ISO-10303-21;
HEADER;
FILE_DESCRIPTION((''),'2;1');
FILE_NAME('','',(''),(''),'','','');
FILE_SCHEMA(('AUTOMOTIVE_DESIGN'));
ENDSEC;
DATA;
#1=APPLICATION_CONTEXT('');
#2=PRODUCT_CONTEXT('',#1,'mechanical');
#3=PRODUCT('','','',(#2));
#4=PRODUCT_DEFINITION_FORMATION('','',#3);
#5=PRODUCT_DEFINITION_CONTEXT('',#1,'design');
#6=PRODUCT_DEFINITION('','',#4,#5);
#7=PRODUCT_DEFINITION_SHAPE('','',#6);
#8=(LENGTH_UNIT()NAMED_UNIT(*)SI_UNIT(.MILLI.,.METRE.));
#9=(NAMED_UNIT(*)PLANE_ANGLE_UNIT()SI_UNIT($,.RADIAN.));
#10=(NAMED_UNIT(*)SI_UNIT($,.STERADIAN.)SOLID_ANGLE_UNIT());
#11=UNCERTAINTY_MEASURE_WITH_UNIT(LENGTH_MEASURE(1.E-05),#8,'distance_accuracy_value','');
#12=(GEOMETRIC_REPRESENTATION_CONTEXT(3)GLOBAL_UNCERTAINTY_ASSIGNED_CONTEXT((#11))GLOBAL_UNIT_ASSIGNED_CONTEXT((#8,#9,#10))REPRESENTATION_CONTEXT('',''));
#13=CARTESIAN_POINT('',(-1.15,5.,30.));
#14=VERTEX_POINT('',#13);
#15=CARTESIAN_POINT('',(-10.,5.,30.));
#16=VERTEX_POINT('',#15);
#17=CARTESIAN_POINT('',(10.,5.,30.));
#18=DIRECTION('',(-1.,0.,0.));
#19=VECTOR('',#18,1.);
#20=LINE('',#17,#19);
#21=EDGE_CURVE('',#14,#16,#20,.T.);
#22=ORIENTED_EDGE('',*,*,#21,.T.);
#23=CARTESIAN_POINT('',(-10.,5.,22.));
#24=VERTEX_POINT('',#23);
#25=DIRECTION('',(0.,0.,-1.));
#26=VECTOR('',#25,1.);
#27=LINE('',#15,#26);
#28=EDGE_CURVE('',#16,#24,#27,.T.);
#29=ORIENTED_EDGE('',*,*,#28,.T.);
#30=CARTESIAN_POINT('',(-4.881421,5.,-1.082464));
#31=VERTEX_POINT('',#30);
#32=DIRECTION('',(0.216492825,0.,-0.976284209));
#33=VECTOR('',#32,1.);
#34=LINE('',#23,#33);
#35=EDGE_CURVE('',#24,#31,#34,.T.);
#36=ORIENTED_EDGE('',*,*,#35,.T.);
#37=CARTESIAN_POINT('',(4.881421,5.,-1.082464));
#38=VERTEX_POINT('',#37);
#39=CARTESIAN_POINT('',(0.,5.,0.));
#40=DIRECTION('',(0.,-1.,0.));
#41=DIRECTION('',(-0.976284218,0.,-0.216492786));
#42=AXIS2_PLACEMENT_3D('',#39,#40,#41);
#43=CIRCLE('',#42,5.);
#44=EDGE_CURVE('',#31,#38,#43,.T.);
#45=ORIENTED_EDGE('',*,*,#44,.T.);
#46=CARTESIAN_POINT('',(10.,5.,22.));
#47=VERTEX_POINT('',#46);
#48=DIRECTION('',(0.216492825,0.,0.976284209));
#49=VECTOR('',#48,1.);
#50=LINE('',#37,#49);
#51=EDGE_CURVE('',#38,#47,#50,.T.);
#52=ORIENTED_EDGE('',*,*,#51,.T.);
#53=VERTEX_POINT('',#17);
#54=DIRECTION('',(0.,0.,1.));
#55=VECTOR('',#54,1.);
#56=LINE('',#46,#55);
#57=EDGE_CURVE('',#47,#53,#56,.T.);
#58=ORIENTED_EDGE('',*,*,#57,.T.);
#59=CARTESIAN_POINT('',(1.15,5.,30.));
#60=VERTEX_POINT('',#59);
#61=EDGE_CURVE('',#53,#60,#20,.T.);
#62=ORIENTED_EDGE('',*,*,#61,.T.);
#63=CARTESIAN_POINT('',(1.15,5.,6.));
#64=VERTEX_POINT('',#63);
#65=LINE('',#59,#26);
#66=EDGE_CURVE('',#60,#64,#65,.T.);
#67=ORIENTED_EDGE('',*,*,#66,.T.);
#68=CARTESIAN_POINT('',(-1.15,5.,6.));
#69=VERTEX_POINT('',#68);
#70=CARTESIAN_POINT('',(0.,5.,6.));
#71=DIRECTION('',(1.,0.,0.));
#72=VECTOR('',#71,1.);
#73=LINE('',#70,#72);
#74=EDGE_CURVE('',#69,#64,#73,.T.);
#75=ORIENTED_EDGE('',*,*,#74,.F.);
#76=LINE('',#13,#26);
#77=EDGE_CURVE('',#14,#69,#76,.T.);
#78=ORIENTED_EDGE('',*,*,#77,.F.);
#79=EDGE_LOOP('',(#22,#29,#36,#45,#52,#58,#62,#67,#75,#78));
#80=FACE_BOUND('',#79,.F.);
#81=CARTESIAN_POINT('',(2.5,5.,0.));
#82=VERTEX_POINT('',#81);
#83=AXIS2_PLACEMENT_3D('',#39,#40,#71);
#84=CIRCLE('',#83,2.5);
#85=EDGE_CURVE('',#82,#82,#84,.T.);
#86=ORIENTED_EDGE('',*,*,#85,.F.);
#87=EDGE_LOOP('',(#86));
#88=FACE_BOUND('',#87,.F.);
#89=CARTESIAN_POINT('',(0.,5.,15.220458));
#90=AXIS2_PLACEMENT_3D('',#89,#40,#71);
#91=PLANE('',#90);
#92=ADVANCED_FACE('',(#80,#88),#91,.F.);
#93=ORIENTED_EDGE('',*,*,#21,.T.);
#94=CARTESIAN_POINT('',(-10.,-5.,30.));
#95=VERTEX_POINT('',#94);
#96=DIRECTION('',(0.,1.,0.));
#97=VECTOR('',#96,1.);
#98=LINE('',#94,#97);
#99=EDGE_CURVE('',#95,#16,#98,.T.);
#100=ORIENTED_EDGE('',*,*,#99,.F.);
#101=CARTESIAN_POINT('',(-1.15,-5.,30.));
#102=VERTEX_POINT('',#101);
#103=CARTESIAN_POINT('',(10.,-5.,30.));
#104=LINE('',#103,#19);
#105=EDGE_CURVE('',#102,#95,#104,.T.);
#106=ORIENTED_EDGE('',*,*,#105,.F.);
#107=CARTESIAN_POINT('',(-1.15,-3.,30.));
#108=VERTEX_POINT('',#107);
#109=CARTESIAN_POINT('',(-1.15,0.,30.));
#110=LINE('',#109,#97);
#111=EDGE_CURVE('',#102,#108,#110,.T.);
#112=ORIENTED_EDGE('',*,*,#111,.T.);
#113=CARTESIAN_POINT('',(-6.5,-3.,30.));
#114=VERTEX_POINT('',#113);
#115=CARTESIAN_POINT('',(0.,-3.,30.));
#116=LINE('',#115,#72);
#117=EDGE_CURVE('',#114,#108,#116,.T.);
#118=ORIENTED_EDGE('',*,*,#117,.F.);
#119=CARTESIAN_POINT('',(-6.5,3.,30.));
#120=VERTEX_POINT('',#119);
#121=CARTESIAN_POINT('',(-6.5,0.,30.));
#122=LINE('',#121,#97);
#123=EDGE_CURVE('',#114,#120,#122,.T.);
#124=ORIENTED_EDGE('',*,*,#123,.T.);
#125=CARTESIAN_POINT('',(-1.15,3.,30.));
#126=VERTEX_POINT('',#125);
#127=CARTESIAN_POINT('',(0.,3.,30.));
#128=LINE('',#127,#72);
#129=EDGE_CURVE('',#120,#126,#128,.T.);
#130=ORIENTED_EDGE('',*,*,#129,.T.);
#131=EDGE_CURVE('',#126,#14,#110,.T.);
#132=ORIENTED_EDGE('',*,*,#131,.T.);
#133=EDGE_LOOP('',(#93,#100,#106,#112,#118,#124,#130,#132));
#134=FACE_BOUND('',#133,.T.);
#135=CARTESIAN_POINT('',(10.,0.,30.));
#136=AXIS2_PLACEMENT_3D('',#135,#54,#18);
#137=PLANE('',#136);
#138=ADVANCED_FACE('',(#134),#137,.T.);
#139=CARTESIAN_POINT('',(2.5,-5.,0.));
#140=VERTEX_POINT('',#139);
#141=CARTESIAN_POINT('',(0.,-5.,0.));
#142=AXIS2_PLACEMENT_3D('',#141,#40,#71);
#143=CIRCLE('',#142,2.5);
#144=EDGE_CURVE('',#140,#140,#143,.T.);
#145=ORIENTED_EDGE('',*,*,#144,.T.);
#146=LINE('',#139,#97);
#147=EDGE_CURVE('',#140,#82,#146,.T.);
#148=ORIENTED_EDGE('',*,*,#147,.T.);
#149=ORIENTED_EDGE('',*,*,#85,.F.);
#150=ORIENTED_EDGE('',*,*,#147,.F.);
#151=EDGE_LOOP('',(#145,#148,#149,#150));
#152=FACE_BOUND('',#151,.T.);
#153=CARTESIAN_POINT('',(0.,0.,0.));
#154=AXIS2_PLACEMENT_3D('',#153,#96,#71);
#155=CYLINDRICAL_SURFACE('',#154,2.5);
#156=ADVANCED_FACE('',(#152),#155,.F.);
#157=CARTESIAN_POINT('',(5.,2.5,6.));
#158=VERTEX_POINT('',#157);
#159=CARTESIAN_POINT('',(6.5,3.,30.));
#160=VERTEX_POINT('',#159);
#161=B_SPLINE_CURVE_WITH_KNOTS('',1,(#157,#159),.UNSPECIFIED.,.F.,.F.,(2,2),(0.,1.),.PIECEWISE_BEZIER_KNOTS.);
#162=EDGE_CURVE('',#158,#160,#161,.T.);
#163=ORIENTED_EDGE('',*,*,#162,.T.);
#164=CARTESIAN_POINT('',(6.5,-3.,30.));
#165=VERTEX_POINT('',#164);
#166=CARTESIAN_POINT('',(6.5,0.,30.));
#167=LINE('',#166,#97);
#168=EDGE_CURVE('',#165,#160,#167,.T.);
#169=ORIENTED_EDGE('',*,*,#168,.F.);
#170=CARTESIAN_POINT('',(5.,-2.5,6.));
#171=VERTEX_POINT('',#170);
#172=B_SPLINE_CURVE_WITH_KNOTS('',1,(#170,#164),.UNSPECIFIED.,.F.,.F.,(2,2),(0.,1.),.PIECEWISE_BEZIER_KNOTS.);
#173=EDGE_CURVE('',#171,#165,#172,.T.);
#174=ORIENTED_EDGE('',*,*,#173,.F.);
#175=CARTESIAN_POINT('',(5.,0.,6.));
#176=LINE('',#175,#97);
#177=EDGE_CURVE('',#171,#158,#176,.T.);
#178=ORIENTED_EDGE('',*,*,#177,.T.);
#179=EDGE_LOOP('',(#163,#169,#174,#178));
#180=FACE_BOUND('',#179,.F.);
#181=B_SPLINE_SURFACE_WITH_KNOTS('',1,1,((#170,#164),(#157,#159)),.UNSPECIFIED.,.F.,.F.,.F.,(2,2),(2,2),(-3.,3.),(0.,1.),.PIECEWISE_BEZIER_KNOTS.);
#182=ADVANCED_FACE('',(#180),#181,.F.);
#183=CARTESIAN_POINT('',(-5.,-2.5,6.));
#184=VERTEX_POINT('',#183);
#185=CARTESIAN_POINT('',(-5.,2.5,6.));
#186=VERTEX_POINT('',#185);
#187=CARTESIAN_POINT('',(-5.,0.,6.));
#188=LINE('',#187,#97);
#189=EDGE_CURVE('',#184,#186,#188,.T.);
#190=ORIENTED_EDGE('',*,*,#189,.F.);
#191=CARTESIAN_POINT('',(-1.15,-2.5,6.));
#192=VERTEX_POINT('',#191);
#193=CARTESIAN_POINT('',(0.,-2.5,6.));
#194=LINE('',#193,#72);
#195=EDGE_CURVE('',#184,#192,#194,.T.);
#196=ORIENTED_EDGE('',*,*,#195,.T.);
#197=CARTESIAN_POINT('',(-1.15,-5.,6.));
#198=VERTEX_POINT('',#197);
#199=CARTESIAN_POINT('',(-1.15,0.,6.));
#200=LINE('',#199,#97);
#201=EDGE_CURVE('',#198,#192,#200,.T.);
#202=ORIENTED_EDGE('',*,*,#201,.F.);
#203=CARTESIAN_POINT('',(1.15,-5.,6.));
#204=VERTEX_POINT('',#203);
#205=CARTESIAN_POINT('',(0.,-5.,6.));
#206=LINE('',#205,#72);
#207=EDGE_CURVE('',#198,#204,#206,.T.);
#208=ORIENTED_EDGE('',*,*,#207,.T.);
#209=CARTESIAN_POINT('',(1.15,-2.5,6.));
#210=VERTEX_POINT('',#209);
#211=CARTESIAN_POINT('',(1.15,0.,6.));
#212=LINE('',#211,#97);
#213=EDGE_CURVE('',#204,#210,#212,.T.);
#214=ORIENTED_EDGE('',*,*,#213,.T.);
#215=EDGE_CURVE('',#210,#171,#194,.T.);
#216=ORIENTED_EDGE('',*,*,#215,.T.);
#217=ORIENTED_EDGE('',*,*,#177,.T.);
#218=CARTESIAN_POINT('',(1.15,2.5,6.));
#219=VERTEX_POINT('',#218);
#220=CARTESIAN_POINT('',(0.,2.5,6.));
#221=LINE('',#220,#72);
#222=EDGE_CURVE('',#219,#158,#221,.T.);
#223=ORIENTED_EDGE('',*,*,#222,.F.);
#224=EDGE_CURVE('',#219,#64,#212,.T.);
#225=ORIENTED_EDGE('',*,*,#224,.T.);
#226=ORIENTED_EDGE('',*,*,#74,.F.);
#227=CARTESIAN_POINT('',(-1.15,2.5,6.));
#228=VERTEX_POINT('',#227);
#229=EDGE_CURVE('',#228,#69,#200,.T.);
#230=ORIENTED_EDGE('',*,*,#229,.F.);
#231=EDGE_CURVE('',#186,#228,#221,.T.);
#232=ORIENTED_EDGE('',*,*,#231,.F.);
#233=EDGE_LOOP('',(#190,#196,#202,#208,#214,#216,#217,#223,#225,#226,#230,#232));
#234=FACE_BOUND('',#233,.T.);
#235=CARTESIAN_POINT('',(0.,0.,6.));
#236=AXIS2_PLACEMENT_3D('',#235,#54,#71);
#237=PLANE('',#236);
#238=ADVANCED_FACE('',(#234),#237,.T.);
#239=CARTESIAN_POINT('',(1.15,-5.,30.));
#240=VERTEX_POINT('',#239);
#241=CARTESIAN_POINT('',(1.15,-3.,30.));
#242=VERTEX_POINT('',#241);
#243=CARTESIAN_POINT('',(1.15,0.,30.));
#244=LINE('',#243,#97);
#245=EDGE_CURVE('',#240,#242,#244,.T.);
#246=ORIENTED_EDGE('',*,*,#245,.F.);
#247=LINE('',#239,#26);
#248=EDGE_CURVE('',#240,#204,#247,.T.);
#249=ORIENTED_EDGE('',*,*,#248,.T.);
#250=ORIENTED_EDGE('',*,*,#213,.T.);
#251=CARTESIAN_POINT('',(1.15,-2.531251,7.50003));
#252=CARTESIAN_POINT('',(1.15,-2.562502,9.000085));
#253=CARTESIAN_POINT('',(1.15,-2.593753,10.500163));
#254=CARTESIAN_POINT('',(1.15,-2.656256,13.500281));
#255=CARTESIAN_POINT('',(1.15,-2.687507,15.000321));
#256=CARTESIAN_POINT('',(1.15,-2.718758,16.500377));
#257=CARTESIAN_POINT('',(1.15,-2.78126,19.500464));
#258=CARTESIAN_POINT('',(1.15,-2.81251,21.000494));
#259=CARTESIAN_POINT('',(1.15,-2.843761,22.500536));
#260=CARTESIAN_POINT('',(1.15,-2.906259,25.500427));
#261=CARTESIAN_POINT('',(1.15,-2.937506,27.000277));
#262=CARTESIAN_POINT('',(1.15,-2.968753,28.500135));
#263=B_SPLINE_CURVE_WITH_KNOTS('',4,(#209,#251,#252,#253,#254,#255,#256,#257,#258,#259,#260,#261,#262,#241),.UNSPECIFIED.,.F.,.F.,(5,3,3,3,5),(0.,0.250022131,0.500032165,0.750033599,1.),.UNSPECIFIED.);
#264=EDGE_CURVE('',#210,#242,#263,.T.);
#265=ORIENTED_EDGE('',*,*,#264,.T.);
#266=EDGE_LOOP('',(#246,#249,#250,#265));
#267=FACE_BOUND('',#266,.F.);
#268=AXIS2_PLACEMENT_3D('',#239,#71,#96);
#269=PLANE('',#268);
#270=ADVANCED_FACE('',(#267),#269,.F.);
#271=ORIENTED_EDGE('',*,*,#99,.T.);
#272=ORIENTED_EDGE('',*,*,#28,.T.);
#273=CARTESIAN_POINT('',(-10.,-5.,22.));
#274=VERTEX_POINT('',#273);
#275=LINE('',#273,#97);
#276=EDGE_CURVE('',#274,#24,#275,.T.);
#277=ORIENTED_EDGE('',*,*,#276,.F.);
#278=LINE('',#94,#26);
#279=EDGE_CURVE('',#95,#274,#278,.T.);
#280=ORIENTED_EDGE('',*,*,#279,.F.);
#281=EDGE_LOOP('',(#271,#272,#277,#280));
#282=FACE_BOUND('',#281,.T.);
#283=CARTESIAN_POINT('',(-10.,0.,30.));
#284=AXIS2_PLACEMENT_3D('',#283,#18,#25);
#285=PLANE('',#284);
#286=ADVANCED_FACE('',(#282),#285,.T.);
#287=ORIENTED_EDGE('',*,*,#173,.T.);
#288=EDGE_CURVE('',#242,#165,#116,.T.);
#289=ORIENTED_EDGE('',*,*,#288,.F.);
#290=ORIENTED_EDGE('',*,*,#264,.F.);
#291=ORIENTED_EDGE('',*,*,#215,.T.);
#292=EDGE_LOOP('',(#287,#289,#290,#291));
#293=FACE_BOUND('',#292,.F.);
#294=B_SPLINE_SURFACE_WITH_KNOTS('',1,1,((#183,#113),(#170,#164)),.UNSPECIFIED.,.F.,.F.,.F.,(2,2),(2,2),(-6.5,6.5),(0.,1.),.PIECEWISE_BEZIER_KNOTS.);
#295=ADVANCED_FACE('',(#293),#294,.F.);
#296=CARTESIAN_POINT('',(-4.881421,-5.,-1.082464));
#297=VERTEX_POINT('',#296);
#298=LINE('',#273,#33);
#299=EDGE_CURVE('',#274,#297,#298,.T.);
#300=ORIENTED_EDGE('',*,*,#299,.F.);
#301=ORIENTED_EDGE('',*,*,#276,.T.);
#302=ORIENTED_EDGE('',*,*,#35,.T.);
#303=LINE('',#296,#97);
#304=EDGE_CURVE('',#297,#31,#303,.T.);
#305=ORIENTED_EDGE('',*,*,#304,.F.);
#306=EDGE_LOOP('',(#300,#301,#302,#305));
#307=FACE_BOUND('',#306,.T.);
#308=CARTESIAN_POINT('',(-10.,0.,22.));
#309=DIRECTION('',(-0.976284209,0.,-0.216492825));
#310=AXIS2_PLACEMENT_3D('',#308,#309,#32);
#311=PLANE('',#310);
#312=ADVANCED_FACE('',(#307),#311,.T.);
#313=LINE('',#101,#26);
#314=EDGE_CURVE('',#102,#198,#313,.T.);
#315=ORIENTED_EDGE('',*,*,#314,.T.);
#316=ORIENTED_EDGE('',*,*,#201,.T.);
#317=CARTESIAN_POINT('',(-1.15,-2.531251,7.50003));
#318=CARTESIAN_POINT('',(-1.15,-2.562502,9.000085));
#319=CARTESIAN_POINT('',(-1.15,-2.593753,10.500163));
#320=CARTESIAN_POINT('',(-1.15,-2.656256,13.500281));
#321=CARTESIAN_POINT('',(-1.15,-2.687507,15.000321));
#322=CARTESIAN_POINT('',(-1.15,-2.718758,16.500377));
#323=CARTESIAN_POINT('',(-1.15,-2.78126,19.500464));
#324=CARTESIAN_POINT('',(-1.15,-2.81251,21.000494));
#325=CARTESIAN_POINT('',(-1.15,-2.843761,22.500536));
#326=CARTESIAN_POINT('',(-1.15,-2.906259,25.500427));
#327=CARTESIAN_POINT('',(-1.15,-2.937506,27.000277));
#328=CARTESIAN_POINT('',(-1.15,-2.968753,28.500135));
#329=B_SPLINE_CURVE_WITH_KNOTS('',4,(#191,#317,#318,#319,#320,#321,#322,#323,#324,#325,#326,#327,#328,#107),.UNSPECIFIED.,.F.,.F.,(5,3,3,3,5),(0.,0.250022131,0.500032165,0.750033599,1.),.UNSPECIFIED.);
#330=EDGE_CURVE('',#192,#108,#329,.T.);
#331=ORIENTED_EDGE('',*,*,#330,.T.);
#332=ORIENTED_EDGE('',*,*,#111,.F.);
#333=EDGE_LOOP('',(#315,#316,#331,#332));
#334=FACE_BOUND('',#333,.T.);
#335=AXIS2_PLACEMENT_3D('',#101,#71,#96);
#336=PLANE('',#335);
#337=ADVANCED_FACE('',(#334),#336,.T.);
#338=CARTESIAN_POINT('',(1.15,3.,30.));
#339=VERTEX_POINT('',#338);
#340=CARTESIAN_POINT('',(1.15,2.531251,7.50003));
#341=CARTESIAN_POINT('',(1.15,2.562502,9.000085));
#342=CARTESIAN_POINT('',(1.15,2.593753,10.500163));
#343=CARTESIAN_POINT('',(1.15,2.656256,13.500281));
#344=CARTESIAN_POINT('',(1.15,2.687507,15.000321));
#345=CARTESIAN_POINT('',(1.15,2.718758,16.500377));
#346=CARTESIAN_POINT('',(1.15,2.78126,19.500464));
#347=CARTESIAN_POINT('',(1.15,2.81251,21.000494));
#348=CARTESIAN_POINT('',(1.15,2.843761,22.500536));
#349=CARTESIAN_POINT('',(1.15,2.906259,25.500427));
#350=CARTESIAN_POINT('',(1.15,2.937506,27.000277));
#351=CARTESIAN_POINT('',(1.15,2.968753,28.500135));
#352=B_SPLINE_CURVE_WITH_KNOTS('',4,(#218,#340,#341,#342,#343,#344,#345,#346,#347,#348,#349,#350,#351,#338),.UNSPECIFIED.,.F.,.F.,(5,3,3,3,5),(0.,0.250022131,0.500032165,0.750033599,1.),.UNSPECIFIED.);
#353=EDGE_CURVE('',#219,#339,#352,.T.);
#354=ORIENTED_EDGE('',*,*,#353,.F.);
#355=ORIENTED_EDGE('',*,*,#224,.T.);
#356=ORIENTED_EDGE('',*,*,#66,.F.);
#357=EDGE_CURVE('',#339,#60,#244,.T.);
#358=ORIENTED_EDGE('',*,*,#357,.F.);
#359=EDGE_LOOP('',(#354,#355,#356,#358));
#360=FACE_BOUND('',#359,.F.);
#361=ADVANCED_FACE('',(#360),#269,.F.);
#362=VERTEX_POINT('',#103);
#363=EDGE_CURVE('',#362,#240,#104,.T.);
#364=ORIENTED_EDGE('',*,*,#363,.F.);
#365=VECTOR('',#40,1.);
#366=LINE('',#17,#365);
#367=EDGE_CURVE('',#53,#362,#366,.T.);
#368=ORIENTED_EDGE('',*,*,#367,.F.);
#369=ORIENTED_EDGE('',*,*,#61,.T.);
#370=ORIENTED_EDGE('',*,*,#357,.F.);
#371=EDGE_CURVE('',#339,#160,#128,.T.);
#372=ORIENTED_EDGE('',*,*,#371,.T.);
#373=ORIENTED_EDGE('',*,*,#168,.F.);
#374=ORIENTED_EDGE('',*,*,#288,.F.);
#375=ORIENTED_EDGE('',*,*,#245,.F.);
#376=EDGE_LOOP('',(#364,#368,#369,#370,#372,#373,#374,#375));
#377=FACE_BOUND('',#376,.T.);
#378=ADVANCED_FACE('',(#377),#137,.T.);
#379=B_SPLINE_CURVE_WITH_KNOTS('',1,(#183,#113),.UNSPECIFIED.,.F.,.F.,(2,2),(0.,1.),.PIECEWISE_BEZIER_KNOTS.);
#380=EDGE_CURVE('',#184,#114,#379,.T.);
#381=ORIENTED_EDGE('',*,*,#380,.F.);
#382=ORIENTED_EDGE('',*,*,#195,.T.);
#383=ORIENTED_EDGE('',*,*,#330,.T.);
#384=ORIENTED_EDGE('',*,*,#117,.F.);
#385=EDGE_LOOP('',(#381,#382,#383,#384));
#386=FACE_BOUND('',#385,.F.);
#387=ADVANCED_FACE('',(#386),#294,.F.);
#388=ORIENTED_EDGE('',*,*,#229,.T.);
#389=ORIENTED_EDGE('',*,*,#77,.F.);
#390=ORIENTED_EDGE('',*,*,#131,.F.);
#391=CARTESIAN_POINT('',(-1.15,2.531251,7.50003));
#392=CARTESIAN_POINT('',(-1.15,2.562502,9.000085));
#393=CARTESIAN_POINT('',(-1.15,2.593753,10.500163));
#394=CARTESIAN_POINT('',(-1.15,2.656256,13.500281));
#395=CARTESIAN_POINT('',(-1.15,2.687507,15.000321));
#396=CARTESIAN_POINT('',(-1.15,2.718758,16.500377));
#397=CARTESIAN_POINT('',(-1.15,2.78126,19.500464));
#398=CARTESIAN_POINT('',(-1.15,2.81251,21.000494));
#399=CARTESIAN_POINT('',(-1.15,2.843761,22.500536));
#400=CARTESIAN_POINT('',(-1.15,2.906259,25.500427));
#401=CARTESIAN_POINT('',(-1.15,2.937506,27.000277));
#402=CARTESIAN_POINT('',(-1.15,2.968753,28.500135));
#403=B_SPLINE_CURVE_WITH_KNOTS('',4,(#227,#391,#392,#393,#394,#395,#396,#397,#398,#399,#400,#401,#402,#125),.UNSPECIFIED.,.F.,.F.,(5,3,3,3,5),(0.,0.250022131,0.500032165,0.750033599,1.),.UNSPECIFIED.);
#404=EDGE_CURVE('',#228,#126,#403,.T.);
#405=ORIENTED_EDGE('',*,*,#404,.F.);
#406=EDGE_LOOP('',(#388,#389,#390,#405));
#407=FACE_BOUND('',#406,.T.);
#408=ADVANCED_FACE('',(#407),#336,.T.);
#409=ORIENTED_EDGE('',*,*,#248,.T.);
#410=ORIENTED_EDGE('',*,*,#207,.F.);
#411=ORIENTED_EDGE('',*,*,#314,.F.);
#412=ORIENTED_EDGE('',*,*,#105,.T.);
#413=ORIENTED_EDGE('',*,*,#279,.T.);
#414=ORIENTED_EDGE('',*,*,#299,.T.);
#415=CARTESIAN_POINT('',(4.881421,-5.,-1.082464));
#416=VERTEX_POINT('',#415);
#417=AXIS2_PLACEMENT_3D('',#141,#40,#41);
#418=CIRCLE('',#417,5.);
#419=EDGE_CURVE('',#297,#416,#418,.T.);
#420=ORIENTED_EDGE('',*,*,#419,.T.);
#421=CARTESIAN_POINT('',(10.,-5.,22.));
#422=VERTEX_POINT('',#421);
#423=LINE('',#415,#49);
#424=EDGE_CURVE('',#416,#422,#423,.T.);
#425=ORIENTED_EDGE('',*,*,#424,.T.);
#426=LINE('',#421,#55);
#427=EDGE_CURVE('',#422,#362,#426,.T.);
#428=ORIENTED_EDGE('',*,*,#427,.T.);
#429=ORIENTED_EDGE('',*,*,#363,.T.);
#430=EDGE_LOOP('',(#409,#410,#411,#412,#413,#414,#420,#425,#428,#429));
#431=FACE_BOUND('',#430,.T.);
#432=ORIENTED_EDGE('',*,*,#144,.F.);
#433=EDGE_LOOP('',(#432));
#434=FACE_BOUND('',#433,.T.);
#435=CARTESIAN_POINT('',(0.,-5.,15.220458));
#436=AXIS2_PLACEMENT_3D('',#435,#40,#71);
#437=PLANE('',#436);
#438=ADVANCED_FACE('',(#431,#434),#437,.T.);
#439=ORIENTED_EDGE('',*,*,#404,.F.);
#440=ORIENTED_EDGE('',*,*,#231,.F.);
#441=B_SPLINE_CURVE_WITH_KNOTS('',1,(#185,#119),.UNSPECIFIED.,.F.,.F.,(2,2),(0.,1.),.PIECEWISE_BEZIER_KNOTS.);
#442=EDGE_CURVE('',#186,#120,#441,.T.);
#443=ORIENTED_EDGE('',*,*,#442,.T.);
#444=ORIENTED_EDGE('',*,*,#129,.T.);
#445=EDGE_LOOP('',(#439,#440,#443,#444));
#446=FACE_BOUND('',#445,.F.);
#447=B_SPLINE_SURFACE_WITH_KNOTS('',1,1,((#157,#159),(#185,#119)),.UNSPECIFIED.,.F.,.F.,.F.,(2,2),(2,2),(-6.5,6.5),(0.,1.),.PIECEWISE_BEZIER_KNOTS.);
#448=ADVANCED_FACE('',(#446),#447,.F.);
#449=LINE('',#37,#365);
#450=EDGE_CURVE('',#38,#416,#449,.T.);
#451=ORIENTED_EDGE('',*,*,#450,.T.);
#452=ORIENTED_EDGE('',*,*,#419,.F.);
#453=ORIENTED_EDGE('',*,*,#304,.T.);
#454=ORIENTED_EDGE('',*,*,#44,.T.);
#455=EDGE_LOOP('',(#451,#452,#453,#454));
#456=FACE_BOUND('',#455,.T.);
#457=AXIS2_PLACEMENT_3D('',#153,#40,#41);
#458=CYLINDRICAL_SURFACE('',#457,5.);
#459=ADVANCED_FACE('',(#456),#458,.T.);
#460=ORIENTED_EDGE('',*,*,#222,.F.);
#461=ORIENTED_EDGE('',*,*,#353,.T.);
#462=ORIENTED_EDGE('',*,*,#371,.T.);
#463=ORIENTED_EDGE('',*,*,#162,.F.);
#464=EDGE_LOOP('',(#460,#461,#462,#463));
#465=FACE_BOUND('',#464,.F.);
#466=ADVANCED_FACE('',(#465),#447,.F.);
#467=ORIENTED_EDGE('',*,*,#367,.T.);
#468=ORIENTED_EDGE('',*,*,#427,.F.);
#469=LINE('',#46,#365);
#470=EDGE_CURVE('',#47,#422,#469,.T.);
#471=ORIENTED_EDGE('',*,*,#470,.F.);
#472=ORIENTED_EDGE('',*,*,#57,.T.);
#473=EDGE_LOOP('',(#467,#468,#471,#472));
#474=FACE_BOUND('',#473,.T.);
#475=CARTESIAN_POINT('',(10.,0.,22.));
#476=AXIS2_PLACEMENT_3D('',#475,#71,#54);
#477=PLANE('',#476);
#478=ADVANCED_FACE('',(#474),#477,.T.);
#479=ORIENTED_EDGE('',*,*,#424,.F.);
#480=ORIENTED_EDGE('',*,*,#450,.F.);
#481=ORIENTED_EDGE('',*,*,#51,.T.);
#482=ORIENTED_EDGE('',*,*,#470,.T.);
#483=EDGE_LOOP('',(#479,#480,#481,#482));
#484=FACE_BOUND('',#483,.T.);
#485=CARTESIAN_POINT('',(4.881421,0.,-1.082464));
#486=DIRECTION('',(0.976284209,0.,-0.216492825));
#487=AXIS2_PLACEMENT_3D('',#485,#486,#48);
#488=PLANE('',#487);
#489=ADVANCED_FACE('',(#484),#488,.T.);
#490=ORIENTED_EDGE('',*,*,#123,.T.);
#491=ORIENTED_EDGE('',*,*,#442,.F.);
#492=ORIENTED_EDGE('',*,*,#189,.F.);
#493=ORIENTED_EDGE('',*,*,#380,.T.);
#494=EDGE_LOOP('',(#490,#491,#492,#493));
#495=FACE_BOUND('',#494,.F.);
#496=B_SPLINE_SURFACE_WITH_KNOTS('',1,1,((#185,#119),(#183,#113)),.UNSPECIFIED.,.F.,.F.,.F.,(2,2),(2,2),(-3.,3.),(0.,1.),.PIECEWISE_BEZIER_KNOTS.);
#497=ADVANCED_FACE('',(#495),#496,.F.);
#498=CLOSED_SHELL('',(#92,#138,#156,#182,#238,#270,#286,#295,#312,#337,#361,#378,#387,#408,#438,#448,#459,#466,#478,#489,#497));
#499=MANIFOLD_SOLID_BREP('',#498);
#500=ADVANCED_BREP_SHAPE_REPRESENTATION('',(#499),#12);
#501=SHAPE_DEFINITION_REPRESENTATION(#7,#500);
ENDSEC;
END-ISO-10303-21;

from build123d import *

# Parameters (mm, degrees)
F0_R     = 2.5
F1_DEPTH = 5
F2_W     = 2.3
F2_H     = 10
F3_DEPTH = 24
F5_W     = 10
F5_H     = 5
F7_W     = 13
F7_H     = 6


with BuildPart() as f1:
    # F0 (on Front) → F1 (new body, symmetric)
    with BuildSketch(Plane.XZ):
        with BuildLine():
            ThreePointArc((-4.881421, -1.082464), (0, -5), (4.881421, -1.082464))
            Line((4.881421, -1.082464), (10, 22))
            Line((10, 22), (10, 30))
            Line((10, 30), (-10, 30))
            Line((-10, 30), (-10, 22))
            Line((-10, 22), (-4.881421, -1.082464))
        make_face()
        Circle(F0_R, mode=Mode.SUBTRACT)
    extrude(amount=F1_DEPTH, both=True)

    # F2 (on face) → F3 (cut)
    with BuildSketch(Plane.XY.offset(30)):
        Rectangle(F2_W, F2_H)
    extrude(amount=-F3_DEPTH, mode=Mode.SUBTRACT)

    # F5 (on offset) → F8 section 0
    with BuildSketch(Plane.XY.offset(6)):
        Rectangle(F5_W, F5_H)
    # F7 (on offset) → F8 section 1
    with BuildSketch(Plane.XY.offset(30)):
        Rectangle(F7_W, F7_H)
    loft(mode=Mode.SUBTRACT)


solid = f1.part
